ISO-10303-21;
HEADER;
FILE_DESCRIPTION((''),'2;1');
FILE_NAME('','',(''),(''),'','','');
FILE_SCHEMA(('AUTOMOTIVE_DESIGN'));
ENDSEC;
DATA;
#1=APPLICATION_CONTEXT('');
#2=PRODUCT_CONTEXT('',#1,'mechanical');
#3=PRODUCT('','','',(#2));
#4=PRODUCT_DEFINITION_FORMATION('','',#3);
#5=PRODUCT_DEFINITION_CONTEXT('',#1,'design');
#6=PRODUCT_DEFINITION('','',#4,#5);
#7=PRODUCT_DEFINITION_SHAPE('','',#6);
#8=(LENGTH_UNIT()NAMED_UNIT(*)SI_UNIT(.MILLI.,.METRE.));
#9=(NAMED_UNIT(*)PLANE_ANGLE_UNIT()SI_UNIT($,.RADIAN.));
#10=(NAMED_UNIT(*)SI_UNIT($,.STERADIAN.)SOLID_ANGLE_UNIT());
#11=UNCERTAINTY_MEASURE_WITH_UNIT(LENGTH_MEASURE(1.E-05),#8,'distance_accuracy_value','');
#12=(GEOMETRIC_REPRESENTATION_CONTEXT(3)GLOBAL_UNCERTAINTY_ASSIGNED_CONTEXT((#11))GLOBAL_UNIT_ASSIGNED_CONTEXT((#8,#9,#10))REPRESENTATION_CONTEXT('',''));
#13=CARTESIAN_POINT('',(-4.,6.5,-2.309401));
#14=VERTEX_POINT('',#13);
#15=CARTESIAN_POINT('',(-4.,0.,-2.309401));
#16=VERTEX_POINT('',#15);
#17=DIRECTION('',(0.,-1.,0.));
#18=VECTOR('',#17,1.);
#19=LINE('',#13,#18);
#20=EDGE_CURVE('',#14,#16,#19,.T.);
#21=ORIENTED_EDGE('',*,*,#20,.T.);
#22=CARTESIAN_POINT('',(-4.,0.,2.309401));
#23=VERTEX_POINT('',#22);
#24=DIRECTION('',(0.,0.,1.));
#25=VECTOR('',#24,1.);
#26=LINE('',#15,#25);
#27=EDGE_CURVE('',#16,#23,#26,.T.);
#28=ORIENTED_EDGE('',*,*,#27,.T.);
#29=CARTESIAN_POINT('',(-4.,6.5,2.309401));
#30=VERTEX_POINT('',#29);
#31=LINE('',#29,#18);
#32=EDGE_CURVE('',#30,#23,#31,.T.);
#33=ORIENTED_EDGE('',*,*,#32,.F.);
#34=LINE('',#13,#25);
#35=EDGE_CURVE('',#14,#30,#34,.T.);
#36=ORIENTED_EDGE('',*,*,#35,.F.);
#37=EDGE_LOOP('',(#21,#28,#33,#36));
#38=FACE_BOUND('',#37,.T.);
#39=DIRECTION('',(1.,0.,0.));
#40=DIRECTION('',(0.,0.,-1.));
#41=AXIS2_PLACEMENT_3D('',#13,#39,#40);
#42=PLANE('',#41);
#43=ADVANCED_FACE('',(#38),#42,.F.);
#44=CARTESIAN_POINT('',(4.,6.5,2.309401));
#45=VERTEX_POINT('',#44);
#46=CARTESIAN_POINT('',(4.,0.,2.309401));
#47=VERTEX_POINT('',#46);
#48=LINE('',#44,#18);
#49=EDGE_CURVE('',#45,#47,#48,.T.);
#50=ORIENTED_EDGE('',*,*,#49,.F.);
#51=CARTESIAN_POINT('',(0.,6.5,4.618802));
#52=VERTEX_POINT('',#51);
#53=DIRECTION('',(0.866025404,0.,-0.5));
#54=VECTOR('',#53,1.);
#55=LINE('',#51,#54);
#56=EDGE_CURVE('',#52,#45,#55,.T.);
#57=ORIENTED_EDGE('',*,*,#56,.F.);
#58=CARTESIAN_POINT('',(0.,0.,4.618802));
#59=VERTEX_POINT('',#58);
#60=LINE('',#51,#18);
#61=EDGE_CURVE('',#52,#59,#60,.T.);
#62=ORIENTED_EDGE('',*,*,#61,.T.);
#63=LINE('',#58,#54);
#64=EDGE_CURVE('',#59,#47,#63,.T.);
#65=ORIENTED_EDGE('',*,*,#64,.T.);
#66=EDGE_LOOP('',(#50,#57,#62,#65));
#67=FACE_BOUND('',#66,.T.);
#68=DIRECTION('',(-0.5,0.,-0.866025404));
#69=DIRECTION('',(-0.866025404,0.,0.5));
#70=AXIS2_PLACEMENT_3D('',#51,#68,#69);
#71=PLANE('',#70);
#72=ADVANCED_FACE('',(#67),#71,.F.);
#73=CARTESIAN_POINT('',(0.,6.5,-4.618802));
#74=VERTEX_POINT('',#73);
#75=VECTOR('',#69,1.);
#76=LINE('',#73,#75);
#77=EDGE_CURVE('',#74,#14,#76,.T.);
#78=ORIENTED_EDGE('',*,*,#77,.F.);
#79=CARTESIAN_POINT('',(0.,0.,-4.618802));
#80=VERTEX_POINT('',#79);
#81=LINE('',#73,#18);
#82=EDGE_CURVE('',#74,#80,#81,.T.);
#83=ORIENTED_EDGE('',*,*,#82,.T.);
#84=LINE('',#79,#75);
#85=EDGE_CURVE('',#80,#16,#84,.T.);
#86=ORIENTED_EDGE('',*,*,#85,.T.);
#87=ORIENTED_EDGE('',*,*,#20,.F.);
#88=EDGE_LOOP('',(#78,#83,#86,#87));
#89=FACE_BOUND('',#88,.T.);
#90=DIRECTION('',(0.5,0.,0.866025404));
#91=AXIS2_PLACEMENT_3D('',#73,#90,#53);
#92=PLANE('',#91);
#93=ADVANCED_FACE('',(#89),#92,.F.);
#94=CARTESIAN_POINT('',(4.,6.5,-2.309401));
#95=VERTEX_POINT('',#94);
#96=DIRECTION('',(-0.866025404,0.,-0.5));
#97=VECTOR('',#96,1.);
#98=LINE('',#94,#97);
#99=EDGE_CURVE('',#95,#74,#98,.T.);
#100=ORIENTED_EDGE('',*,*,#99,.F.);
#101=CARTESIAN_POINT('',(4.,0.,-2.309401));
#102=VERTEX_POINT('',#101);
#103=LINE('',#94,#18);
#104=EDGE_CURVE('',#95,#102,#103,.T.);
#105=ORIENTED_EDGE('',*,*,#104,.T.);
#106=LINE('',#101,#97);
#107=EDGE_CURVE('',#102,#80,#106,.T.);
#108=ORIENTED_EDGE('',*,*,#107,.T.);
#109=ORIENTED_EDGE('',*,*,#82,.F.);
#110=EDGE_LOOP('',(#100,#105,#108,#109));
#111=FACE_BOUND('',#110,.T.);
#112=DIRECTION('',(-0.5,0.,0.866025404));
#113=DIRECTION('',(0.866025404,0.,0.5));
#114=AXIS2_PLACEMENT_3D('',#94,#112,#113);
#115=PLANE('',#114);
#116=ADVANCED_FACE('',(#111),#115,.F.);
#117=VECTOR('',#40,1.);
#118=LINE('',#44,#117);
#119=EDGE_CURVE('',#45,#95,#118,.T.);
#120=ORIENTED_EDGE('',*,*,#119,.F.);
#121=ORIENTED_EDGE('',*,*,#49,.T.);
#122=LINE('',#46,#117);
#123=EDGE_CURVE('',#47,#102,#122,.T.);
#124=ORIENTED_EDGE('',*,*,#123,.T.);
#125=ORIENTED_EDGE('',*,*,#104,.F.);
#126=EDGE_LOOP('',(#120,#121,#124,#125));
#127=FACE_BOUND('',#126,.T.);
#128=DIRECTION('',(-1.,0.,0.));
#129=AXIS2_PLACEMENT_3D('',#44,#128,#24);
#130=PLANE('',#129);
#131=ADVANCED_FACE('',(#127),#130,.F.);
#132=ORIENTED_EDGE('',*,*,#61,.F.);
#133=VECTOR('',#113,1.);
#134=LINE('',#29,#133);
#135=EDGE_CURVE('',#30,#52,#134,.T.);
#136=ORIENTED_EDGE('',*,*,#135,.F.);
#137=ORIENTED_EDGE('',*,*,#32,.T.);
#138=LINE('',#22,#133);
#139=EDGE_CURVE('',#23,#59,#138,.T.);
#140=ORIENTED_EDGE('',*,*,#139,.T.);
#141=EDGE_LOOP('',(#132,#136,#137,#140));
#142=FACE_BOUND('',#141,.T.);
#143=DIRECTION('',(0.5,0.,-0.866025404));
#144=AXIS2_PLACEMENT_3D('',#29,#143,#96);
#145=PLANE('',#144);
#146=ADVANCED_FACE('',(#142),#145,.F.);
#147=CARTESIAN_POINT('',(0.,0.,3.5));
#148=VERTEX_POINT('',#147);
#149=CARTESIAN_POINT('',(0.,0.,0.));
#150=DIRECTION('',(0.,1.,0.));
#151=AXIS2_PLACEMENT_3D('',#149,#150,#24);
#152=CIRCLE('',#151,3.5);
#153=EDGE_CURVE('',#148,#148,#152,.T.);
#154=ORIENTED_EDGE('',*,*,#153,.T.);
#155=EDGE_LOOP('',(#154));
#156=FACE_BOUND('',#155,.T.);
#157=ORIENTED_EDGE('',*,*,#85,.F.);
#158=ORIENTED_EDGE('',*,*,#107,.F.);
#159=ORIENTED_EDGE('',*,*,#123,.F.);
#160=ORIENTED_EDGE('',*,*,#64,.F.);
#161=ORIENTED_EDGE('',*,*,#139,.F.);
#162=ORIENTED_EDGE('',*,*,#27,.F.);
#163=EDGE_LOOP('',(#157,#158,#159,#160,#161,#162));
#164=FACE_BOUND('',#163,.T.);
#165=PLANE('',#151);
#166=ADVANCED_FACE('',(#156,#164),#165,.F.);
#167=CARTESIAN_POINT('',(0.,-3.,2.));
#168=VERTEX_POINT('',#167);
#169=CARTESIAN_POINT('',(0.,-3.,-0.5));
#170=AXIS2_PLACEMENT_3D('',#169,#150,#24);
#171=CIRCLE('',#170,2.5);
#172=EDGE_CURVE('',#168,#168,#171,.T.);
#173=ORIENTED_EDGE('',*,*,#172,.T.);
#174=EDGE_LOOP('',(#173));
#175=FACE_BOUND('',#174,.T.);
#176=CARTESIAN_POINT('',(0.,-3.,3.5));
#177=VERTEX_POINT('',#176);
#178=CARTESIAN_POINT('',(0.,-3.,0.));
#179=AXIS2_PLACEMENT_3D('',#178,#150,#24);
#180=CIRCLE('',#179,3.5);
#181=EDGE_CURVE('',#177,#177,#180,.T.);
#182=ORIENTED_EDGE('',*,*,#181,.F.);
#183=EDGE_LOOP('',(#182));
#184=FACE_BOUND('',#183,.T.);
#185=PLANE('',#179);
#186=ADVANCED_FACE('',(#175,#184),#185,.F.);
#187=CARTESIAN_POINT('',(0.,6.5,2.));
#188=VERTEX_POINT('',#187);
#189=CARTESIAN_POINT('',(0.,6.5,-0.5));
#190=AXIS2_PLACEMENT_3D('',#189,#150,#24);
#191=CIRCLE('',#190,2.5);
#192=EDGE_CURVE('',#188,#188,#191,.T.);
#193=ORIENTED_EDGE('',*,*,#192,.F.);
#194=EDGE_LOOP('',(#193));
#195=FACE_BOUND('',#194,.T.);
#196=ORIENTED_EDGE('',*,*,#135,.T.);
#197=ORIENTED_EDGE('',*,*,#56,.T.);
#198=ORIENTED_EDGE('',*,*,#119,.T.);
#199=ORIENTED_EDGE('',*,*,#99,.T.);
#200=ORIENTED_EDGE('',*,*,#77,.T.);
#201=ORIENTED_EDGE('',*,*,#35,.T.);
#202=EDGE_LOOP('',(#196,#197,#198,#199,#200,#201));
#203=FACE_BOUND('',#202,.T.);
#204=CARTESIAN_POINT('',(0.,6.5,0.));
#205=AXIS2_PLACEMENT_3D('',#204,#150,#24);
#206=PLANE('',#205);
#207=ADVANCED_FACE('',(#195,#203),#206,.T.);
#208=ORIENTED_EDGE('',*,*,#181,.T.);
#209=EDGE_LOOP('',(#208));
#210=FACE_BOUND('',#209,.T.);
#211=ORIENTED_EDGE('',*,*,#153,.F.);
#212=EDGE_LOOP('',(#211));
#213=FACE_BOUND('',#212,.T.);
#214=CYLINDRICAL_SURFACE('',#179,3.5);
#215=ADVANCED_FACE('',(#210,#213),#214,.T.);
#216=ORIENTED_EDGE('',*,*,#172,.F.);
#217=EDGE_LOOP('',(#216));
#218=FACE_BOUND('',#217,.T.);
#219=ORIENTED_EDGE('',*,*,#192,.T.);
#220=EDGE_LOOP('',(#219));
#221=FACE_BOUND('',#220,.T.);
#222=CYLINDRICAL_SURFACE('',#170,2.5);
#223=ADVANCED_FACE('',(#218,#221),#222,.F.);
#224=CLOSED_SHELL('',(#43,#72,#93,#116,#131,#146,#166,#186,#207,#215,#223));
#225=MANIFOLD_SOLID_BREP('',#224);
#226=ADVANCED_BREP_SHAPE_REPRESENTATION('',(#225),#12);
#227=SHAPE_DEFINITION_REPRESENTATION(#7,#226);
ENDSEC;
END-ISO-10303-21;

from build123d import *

# Parameters (mm, degrees)
EXTRUDE_1_DEPTH     = 6.5
SKETCH_2_R          = 3.5
SKETCH_2_R_2        = 2.5
EXTRUDE_2_DEPTH     = 3
SKETCH_2_2_R        = 2.5
CUT_EXTRUDE_1_DEPTH = 9.920949127


with BuildPart() as part:
    # Эскиз1 → Бобышка-Вытянуть1 (new body)
    with BuildSketch(Plane(origin=(0, 0, 0), x_dir=(1, 0, 0), z_dir=(0, 1, 0))):
        Polygon((0, -4.618802154), (4, -2.309401077), (4, 2.309401077), (0, 4.618802154), (-4, 2.309401077), (-4, -2.309401077), align=None)
    extrude(amount=EXTRUDE_1_DEPTH)

    # Эскиз2 → Бобышка-Вытянуть2 (add)
    with BuildSketch(Plane(origin=(0, 0, 0), x_dir=(1, 0, 0), z_dir=(0, 1, 0))):
        Circle(SKETCH_2_R)
        with Locations((0, 0.5)):
            Circle(SKETCH_2_R_2, mode=Mode.SUBTRACT)
    extrude(amount=-EXTRUDE_2_DEPTH)

    # Эскиз2<2> → Вырез-Вытянуть1 (cut, through all)
    with BuildSketch(Plane(origin=(0, 0, 0), x_dir=(1, 0, 0), z_dir=(0, 1, 0))):
        with Locations((0, 0.5)):
            Circle(SKETCH_2_2_R)
    extrude(amount=CUT_EXTRUDE_1_DEPTH, mode=Mode.SUBTRACT)


solid = part.part
